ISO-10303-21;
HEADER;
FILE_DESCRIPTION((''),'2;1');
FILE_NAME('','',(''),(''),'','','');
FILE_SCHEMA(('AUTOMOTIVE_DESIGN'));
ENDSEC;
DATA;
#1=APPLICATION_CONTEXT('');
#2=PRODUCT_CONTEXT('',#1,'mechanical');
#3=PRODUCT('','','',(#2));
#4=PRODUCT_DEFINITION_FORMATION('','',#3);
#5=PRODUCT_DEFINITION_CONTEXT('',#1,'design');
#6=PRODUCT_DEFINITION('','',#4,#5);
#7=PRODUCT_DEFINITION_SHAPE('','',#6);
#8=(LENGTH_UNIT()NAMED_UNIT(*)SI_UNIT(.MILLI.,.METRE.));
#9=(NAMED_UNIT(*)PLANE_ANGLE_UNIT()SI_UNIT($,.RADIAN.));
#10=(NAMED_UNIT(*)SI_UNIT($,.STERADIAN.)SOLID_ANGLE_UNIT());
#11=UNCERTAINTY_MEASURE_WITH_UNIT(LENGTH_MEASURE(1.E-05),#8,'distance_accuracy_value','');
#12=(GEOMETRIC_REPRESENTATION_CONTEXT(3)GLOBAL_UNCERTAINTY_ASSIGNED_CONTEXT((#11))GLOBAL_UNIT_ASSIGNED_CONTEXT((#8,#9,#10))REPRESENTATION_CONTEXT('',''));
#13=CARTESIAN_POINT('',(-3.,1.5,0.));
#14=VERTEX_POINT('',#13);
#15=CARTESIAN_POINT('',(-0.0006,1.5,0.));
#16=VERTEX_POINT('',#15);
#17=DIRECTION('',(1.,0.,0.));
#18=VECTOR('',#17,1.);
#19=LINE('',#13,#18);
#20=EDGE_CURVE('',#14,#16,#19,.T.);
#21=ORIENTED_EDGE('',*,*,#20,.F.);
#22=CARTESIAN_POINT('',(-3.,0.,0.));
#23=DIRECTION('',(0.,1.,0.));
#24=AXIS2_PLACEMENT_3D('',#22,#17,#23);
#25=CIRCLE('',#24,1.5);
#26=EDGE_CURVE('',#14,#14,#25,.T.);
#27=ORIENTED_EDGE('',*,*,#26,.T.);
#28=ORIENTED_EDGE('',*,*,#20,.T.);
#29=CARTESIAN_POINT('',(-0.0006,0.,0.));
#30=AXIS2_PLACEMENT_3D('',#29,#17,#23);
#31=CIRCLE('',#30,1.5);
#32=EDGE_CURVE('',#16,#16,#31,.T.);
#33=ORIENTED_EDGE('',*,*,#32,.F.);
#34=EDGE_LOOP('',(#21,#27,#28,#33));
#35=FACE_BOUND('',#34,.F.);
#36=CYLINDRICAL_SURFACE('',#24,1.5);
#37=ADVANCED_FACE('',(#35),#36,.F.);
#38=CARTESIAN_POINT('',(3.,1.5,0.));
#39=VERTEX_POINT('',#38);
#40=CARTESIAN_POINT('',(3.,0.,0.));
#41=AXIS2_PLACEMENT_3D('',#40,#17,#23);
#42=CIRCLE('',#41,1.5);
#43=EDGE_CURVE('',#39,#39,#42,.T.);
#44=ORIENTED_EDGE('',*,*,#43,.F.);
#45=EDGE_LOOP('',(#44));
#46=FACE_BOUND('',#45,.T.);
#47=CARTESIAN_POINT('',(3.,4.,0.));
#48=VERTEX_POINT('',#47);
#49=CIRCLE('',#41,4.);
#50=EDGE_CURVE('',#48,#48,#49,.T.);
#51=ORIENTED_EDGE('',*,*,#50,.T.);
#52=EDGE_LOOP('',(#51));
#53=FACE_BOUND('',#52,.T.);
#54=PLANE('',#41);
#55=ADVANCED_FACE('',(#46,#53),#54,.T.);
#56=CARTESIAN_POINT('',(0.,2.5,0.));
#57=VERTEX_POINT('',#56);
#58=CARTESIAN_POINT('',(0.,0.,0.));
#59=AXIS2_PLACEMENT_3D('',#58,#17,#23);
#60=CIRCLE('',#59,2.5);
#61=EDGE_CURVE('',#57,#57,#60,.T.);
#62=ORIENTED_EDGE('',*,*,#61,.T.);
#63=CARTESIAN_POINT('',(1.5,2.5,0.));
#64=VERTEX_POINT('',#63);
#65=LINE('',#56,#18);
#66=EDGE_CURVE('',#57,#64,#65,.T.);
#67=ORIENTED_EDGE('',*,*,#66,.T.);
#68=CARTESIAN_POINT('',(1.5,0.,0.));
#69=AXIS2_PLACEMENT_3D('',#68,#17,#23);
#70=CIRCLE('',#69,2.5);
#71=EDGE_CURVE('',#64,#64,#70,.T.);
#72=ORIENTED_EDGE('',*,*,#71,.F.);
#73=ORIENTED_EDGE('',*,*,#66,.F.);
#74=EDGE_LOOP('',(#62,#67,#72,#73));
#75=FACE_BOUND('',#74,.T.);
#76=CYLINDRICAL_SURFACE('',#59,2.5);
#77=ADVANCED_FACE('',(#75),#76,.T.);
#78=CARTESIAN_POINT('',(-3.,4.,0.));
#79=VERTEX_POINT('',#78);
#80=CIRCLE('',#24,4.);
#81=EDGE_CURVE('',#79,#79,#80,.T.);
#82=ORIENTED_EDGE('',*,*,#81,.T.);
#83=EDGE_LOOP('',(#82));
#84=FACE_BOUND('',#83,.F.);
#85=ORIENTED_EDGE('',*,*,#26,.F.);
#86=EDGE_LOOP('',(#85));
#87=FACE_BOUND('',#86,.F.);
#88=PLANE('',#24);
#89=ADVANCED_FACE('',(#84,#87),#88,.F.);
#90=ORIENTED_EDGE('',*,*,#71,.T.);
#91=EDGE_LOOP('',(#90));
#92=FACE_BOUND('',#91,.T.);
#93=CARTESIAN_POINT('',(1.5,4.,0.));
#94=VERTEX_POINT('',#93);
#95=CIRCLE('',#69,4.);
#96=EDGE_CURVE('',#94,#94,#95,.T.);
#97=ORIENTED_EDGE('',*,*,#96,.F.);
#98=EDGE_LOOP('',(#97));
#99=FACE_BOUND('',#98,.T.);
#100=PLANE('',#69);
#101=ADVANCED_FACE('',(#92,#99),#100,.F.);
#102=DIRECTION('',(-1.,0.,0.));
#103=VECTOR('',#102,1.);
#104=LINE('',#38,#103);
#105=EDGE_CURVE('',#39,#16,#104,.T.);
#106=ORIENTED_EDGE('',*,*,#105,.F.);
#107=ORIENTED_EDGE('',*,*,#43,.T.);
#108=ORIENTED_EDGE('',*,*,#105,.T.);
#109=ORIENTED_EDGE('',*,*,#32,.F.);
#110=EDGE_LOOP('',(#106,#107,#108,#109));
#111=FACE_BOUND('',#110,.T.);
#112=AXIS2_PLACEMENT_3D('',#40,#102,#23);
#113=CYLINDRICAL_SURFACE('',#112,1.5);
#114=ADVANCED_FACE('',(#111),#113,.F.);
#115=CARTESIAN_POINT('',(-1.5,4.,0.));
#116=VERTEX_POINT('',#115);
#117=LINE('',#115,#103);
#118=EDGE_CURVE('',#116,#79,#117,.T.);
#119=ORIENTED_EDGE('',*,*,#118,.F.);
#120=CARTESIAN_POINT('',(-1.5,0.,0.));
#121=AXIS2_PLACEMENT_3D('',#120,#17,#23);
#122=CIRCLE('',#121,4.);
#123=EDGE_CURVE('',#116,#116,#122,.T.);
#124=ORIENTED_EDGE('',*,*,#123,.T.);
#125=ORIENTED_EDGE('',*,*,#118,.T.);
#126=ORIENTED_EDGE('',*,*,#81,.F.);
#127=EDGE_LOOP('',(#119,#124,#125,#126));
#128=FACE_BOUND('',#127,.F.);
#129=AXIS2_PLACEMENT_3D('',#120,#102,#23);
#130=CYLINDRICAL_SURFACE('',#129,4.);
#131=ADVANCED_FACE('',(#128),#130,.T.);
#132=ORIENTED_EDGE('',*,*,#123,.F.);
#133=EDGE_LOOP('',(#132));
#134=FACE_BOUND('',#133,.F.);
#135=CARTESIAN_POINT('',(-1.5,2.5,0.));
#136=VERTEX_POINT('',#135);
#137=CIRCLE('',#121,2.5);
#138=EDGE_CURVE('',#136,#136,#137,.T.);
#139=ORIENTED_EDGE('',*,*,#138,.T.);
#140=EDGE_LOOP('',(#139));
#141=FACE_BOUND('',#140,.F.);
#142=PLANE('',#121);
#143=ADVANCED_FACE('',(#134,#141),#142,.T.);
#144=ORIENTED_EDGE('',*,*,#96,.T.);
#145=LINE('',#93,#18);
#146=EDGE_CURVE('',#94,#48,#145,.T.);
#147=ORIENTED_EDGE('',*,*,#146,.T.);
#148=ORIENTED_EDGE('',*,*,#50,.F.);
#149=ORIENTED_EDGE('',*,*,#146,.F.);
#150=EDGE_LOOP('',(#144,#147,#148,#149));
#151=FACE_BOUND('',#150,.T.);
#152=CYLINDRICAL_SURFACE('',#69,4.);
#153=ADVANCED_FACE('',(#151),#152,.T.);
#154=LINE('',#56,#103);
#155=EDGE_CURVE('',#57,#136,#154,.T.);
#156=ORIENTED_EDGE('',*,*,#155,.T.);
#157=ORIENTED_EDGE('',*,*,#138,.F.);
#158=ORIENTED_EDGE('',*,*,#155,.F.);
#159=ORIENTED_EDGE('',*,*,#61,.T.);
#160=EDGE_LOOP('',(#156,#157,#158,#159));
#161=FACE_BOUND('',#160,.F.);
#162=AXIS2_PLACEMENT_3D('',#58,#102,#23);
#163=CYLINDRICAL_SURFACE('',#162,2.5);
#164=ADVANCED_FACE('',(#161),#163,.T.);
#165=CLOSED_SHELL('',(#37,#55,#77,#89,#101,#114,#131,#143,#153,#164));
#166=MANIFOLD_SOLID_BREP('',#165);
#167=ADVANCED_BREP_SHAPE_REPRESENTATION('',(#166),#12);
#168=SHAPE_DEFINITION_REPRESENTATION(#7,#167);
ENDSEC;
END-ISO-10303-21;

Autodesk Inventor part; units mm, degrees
ref_plane "YZ Plane" through (0, 0, 0) normal (1, 0, 0) x (0, 1, 0)
ref_plane "XZ Plane" through (0, 0, 0) normal (0, 1, 0) x (-1, 0, 0)
ref_plane "XY Plane" through (0, 0, 0) normal (0, 0, 1) x (1, 0, 0)
sketch "スケッチ1" plane through (0, 0, 0) normal (0, 0, 1) x (1, 0, 0)
  line L0 (0, 2.5) -> (1.5, 2.5)
  line L1 (1.5, 2.5) -> (1.5, 4)
  line L2 (1.5, 4) -> (3, 4)
  line L3 (3, 4) -> (3, 1.5)
  line L4 (3, 1.5) -> (-0.0006, 1.5)
  line L5 (0, -0.8) -> (0, 4.8) construction
  line L6 (0, 2.5) -> (-1.5, 2.5)
  line L7 (-1.5, 2.5) -> (-1.5, 4)
  line L8 (-1.5, 4) -> (-3, 4)
  line L9 (-3, 4) -> (-3, 1.5)
  line L10 (-3, 1.5) -> (0.0006, 1.5)
  line L11 (-4.2, 0) -> (4.2, 0) projected
  point P0 (0, 0)
  point P1 (-0.0006, 1.5)
  dimension "d0" = 1.5
  dimension "d1" = 2.5
  dimension "d2" = 1.5
  dimension "d3" = 1.5
  dimension "d4" = 1.5
revolve "回転1" add sketch "スケッチ1" angle 360 about axis through (-10, 0, 0) along (1, 0, 0)
properties part number "Pulley_D3_P6"
